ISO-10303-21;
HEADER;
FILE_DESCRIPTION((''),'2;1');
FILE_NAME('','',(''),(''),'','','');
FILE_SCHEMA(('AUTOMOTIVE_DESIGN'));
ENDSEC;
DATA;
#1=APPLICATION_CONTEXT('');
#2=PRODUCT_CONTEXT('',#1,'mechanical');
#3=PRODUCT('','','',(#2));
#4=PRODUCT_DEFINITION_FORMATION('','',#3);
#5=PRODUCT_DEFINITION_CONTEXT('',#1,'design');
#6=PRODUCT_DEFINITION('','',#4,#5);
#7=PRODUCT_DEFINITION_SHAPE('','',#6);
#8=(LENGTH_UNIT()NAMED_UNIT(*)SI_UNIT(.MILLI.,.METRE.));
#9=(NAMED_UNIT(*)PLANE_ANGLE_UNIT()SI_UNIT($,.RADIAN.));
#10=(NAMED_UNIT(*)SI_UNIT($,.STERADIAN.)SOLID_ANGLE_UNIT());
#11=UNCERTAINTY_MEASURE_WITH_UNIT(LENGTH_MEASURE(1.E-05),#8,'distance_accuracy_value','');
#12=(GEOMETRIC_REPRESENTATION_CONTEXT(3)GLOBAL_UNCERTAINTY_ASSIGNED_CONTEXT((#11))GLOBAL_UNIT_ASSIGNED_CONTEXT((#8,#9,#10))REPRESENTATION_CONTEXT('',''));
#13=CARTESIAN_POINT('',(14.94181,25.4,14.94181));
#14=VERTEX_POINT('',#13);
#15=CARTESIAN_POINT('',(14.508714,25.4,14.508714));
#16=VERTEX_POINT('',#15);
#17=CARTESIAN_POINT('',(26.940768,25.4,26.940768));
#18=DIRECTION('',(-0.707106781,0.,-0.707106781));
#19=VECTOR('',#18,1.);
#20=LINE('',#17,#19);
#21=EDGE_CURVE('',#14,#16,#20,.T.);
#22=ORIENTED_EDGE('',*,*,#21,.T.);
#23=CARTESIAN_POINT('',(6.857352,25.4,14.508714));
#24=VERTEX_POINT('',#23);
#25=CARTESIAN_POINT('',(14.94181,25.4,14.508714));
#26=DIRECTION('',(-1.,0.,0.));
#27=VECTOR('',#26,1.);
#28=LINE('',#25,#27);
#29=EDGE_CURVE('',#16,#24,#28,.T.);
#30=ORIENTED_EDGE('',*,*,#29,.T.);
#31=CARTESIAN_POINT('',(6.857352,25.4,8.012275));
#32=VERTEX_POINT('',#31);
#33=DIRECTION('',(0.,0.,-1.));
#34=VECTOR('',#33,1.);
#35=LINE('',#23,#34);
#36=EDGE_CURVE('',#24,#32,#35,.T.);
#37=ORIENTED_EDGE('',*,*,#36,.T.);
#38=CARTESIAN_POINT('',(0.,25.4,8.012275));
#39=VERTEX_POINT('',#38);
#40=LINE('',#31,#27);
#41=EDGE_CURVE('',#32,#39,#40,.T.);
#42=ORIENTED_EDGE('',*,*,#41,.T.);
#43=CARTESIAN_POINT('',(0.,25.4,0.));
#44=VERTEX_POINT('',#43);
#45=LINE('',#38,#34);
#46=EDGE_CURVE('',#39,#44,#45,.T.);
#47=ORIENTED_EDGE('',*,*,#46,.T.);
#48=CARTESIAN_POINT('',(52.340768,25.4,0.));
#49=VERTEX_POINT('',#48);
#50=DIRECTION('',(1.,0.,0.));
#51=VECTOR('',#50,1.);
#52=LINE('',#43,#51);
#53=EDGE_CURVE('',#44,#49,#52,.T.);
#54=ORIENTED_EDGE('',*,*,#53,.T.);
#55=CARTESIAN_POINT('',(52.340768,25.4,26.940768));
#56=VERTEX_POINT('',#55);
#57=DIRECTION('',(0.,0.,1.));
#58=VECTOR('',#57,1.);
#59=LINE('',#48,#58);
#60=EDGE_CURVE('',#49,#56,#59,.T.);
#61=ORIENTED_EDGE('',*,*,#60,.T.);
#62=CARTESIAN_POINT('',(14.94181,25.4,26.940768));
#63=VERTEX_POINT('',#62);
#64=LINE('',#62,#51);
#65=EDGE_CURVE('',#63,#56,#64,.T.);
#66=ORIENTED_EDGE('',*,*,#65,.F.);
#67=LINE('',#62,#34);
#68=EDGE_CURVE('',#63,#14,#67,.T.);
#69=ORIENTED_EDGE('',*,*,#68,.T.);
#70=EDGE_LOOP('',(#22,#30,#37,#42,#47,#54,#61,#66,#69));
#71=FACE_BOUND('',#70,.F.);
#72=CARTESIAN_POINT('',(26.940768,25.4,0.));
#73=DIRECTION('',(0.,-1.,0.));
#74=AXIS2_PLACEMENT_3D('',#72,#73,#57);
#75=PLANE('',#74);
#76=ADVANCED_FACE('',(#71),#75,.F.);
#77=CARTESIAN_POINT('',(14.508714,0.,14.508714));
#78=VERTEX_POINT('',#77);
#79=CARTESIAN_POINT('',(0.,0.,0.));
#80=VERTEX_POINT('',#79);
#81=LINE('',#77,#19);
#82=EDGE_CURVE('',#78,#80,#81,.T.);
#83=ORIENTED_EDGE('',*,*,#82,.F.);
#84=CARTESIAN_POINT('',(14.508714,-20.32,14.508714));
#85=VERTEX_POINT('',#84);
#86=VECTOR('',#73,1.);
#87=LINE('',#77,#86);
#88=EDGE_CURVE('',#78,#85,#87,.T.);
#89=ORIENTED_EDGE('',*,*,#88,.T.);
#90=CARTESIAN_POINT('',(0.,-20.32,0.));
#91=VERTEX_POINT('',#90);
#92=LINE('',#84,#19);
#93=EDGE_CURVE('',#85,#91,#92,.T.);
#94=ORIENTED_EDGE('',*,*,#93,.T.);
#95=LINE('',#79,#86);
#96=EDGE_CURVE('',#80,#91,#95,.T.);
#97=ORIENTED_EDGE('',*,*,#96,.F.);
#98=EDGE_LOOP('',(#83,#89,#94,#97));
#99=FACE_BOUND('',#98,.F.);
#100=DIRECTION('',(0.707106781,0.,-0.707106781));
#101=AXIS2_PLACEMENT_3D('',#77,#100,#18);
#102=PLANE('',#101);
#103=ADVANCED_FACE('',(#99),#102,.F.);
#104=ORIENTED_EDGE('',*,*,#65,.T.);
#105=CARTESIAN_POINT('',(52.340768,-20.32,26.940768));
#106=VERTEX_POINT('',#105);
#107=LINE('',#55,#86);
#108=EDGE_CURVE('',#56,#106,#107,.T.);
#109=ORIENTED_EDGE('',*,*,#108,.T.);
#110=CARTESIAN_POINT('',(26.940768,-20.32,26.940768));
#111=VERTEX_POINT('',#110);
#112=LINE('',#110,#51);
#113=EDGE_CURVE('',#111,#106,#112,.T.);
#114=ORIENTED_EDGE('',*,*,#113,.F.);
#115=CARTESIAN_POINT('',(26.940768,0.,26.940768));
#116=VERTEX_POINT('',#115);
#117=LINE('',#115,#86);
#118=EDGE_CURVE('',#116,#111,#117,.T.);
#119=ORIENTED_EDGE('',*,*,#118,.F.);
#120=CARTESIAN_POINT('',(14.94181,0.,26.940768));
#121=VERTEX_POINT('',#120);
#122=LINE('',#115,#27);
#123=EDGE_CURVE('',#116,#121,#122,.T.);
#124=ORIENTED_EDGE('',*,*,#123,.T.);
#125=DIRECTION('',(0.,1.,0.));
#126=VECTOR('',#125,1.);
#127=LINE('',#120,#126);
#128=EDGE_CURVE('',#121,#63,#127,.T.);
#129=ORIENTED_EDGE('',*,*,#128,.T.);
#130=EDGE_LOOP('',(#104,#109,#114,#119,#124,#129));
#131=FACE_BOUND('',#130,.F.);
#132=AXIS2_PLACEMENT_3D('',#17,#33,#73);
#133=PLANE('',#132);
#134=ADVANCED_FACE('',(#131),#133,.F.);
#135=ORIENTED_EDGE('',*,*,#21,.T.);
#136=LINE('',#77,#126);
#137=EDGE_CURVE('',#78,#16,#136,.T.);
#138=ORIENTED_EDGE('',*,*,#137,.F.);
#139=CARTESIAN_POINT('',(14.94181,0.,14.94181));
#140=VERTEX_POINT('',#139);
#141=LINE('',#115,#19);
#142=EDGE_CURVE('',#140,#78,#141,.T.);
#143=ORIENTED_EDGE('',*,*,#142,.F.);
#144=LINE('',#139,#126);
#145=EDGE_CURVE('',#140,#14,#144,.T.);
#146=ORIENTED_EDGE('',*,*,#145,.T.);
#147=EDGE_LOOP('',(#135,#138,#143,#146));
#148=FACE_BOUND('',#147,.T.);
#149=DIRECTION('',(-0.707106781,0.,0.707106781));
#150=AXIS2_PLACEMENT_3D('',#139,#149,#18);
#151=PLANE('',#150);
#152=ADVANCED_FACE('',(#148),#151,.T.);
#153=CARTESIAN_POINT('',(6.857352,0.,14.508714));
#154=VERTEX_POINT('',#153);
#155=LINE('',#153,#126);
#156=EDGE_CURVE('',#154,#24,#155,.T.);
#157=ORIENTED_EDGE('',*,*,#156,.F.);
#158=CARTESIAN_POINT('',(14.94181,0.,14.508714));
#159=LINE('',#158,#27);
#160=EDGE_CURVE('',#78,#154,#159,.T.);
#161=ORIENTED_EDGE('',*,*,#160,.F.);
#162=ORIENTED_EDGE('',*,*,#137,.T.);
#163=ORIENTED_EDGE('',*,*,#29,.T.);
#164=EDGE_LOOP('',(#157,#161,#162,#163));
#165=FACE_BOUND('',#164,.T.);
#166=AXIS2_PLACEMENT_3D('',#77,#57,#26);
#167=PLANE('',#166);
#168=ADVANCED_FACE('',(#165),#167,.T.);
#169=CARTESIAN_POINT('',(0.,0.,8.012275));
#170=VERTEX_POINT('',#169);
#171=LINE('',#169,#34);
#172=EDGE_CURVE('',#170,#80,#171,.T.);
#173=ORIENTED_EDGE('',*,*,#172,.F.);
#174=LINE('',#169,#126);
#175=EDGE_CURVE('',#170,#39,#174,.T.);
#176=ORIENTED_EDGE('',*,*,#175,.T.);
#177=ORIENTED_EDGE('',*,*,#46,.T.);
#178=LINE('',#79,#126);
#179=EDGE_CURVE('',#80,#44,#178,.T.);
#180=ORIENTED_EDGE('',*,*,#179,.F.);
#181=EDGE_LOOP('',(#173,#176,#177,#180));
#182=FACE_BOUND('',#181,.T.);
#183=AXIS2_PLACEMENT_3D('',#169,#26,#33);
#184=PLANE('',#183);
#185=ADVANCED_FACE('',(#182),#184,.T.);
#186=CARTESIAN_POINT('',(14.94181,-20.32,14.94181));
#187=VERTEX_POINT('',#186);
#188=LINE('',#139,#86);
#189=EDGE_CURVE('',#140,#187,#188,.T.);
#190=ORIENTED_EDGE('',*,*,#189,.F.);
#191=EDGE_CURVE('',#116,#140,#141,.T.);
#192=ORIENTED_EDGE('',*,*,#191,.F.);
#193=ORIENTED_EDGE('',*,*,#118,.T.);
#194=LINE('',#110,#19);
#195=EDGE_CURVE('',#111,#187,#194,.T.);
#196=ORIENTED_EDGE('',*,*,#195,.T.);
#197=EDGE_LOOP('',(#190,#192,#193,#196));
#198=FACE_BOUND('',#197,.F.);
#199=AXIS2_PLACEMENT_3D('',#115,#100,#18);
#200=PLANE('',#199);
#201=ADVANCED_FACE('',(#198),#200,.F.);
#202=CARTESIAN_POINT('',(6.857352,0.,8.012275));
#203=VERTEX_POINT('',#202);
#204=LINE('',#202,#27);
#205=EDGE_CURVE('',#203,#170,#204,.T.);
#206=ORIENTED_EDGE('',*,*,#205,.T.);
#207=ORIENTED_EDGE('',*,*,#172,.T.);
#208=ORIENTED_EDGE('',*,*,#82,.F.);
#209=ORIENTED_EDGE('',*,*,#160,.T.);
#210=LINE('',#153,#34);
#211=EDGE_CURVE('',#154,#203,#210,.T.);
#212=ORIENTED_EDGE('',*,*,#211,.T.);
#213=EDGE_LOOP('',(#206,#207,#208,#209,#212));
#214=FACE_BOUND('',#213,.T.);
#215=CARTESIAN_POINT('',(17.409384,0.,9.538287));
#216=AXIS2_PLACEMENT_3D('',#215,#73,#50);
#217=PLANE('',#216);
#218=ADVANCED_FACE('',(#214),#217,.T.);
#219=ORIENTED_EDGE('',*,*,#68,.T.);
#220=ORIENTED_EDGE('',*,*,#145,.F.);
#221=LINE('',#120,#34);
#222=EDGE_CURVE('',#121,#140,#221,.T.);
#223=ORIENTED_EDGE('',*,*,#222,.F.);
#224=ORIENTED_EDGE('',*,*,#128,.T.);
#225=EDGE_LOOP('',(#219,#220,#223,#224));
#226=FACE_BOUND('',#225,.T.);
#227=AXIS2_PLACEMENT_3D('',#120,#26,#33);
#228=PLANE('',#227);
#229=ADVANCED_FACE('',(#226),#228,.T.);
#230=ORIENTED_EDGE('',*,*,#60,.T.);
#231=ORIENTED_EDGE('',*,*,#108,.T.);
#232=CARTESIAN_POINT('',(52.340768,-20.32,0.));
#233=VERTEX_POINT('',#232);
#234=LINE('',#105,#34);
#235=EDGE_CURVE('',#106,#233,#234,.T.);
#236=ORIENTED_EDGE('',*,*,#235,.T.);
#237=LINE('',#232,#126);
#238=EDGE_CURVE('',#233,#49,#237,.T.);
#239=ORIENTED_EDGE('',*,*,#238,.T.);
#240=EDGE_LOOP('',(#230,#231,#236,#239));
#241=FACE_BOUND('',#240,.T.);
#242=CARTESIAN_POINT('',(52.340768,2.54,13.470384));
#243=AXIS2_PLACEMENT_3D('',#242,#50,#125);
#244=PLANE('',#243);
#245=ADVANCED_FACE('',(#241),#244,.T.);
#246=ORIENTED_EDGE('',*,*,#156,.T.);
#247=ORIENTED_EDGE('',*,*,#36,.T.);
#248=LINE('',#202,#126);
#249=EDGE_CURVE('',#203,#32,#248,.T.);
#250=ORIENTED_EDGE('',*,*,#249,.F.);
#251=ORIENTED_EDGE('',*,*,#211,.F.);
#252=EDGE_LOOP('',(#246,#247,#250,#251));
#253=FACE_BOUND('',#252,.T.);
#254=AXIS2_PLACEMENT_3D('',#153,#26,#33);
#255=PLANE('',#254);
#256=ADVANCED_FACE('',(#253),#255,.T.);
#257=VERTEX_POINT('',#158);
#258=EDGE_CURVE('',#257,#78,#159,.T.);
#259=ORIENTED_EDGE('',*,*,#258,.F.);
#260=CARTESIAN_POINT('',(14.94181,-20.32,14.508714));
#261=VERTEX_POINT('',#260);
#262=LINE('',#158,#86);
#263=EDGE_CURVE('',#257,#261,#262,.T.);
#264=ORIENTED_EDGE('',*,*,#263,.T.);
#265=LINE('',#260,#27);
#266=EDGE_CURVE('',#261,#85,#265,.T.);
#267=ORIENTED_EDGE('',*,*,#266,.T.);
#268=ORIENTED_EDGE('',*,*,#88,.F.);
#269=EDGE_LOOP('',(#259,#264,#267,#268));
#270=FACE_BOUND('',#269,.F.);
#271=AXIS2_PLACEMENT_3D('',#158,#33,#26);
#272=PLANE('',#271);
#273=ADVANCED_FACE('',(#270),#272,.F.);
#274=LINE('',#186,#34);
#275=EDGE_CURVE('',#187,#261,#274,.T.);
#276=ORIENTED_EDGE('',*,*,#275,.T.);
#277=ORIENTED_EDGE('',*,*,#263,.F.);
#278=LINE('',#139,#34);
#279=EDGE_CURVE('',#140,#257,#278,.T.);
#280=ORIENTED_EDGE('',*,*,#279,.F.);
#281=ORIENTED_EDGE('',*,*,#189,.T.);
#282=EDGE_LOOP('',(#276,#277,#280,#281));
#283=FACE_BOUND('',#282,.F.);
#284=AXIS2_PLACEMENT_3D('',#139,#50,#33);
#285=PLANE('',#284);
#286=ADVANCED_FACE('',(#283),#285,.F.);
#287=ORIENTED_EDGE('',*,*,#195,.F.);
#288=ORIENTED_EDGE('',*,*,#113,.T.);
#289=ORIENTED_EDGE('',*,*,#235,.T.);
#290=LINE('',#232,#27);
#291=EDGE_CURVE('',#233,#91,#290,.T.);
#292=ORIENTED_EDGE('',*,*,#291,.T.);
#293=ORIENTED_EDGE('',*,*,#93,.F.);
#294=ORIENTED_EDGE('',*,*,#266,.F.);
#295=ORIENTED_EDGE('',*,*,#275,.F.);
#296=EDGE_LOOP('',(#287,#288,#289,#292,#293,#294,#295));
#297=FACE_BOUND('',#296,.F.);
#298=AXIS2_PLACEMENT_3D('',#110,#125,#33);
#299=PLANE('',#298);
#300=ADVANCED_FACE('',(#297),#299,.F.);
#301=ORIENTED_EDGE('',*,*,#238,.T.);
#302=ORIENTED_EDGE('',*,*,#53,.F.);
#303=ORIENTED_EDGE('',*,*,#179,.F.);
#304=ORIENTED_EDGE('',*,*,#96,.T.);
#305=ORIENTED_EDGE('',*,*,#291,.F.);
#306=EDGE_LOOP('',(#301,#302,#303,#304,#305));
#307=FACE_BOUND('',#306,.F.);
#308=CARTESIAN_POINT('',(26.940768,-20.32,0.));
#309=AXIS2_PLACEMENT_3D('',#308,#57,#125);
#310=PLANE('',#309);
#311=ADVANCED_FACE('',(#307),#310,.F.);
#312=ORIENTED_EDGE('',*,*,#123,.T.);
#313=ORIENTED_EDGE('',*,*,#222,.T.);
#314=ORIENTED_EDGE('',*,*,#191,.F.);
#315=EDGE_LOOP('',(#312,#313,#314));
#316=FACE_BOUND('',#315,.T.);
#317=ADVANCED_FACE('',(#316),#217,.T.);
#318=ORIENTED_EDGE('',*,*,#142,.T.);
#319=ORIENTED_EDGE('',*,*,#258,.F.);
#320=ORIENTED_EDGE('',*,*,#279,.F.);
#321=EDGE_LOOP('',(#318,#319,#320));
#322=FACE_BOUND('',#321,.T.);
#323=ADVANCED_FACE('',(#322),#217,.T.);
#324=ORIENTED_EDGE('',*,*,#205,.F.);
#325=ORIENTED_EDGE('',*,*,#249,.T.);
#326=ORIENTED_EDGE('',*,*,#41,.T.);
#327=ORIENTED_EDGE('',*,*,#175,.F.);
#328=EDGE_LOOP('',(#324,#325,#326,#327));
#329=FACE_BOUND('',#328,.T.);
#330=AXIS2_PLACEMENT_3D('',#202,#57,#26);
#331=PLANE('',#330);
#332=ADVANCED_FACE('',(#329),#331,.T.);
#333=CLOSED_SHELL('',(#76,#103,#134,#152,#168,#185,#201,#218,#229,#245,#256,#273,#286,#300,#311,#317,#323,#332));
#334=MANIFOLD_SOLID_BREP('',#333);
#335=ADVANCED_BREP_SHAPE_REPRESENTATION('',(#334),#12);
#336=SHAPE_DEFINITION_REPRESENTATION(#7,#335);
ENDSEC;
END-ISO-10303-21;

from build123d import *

# Parameters (mm, degrees)
F1_DEPTH = 20.32
F2_DEPTH = 25.4
F3_DEPTH = 25.4


with BuildPart() as f1:
    # F0 (on Front) → F1 (new body)
    with BuildSketch(Plane.XZ):
        Polygon((14.508714, 14.508714), (0, 0), (26.940768, 0), (26.940768, 26.940768), (14.94181, 14.94181), (14.94181, 14.508714), align=None)
    extrude(amount=F1_DEPTH)

    # F0 (on Front) → F2 (join)
    with BuildSketch(Plane.XZ):
        Polygon((14.508714, 14.508714), (0, 0), (26.940768, 0), (26.940768, 26.940768), (14.94181, 14.94181), (14.94181, 14.508714), align=None)
        Polygon((0, 8.012275), (0, 0), (14.508714, 14.508714), (6.857352, 14.508714), (6.857352, 8.012275), align=None)
        Polygon((14.94181, 14.94181), (14.508714, 14.508714), (14.94181, 14.508714), align=None)
        Polygon((14.94181, 14.94181), (26.940768, 26.940768), (14.94181, 26.940768), align=None)
    extrude(amount=-F2_DEPTH)

    # F2_face (on face) → F3 (join)
    with BuildSketch(Plane(origin=(26.940768, 2.54, 13.470384), x_dir=(0, 1, 0), z_dir=(1, 0, 0))):
        Polygon((-22.86, -13.470384), (22.86, -13.470384), (22.86, 13.470384), (-2.54, 13.470384), (-22.86, 13.470384), align=None)
    extrude(amount=F3_DEPTH)


solid = f1.part
